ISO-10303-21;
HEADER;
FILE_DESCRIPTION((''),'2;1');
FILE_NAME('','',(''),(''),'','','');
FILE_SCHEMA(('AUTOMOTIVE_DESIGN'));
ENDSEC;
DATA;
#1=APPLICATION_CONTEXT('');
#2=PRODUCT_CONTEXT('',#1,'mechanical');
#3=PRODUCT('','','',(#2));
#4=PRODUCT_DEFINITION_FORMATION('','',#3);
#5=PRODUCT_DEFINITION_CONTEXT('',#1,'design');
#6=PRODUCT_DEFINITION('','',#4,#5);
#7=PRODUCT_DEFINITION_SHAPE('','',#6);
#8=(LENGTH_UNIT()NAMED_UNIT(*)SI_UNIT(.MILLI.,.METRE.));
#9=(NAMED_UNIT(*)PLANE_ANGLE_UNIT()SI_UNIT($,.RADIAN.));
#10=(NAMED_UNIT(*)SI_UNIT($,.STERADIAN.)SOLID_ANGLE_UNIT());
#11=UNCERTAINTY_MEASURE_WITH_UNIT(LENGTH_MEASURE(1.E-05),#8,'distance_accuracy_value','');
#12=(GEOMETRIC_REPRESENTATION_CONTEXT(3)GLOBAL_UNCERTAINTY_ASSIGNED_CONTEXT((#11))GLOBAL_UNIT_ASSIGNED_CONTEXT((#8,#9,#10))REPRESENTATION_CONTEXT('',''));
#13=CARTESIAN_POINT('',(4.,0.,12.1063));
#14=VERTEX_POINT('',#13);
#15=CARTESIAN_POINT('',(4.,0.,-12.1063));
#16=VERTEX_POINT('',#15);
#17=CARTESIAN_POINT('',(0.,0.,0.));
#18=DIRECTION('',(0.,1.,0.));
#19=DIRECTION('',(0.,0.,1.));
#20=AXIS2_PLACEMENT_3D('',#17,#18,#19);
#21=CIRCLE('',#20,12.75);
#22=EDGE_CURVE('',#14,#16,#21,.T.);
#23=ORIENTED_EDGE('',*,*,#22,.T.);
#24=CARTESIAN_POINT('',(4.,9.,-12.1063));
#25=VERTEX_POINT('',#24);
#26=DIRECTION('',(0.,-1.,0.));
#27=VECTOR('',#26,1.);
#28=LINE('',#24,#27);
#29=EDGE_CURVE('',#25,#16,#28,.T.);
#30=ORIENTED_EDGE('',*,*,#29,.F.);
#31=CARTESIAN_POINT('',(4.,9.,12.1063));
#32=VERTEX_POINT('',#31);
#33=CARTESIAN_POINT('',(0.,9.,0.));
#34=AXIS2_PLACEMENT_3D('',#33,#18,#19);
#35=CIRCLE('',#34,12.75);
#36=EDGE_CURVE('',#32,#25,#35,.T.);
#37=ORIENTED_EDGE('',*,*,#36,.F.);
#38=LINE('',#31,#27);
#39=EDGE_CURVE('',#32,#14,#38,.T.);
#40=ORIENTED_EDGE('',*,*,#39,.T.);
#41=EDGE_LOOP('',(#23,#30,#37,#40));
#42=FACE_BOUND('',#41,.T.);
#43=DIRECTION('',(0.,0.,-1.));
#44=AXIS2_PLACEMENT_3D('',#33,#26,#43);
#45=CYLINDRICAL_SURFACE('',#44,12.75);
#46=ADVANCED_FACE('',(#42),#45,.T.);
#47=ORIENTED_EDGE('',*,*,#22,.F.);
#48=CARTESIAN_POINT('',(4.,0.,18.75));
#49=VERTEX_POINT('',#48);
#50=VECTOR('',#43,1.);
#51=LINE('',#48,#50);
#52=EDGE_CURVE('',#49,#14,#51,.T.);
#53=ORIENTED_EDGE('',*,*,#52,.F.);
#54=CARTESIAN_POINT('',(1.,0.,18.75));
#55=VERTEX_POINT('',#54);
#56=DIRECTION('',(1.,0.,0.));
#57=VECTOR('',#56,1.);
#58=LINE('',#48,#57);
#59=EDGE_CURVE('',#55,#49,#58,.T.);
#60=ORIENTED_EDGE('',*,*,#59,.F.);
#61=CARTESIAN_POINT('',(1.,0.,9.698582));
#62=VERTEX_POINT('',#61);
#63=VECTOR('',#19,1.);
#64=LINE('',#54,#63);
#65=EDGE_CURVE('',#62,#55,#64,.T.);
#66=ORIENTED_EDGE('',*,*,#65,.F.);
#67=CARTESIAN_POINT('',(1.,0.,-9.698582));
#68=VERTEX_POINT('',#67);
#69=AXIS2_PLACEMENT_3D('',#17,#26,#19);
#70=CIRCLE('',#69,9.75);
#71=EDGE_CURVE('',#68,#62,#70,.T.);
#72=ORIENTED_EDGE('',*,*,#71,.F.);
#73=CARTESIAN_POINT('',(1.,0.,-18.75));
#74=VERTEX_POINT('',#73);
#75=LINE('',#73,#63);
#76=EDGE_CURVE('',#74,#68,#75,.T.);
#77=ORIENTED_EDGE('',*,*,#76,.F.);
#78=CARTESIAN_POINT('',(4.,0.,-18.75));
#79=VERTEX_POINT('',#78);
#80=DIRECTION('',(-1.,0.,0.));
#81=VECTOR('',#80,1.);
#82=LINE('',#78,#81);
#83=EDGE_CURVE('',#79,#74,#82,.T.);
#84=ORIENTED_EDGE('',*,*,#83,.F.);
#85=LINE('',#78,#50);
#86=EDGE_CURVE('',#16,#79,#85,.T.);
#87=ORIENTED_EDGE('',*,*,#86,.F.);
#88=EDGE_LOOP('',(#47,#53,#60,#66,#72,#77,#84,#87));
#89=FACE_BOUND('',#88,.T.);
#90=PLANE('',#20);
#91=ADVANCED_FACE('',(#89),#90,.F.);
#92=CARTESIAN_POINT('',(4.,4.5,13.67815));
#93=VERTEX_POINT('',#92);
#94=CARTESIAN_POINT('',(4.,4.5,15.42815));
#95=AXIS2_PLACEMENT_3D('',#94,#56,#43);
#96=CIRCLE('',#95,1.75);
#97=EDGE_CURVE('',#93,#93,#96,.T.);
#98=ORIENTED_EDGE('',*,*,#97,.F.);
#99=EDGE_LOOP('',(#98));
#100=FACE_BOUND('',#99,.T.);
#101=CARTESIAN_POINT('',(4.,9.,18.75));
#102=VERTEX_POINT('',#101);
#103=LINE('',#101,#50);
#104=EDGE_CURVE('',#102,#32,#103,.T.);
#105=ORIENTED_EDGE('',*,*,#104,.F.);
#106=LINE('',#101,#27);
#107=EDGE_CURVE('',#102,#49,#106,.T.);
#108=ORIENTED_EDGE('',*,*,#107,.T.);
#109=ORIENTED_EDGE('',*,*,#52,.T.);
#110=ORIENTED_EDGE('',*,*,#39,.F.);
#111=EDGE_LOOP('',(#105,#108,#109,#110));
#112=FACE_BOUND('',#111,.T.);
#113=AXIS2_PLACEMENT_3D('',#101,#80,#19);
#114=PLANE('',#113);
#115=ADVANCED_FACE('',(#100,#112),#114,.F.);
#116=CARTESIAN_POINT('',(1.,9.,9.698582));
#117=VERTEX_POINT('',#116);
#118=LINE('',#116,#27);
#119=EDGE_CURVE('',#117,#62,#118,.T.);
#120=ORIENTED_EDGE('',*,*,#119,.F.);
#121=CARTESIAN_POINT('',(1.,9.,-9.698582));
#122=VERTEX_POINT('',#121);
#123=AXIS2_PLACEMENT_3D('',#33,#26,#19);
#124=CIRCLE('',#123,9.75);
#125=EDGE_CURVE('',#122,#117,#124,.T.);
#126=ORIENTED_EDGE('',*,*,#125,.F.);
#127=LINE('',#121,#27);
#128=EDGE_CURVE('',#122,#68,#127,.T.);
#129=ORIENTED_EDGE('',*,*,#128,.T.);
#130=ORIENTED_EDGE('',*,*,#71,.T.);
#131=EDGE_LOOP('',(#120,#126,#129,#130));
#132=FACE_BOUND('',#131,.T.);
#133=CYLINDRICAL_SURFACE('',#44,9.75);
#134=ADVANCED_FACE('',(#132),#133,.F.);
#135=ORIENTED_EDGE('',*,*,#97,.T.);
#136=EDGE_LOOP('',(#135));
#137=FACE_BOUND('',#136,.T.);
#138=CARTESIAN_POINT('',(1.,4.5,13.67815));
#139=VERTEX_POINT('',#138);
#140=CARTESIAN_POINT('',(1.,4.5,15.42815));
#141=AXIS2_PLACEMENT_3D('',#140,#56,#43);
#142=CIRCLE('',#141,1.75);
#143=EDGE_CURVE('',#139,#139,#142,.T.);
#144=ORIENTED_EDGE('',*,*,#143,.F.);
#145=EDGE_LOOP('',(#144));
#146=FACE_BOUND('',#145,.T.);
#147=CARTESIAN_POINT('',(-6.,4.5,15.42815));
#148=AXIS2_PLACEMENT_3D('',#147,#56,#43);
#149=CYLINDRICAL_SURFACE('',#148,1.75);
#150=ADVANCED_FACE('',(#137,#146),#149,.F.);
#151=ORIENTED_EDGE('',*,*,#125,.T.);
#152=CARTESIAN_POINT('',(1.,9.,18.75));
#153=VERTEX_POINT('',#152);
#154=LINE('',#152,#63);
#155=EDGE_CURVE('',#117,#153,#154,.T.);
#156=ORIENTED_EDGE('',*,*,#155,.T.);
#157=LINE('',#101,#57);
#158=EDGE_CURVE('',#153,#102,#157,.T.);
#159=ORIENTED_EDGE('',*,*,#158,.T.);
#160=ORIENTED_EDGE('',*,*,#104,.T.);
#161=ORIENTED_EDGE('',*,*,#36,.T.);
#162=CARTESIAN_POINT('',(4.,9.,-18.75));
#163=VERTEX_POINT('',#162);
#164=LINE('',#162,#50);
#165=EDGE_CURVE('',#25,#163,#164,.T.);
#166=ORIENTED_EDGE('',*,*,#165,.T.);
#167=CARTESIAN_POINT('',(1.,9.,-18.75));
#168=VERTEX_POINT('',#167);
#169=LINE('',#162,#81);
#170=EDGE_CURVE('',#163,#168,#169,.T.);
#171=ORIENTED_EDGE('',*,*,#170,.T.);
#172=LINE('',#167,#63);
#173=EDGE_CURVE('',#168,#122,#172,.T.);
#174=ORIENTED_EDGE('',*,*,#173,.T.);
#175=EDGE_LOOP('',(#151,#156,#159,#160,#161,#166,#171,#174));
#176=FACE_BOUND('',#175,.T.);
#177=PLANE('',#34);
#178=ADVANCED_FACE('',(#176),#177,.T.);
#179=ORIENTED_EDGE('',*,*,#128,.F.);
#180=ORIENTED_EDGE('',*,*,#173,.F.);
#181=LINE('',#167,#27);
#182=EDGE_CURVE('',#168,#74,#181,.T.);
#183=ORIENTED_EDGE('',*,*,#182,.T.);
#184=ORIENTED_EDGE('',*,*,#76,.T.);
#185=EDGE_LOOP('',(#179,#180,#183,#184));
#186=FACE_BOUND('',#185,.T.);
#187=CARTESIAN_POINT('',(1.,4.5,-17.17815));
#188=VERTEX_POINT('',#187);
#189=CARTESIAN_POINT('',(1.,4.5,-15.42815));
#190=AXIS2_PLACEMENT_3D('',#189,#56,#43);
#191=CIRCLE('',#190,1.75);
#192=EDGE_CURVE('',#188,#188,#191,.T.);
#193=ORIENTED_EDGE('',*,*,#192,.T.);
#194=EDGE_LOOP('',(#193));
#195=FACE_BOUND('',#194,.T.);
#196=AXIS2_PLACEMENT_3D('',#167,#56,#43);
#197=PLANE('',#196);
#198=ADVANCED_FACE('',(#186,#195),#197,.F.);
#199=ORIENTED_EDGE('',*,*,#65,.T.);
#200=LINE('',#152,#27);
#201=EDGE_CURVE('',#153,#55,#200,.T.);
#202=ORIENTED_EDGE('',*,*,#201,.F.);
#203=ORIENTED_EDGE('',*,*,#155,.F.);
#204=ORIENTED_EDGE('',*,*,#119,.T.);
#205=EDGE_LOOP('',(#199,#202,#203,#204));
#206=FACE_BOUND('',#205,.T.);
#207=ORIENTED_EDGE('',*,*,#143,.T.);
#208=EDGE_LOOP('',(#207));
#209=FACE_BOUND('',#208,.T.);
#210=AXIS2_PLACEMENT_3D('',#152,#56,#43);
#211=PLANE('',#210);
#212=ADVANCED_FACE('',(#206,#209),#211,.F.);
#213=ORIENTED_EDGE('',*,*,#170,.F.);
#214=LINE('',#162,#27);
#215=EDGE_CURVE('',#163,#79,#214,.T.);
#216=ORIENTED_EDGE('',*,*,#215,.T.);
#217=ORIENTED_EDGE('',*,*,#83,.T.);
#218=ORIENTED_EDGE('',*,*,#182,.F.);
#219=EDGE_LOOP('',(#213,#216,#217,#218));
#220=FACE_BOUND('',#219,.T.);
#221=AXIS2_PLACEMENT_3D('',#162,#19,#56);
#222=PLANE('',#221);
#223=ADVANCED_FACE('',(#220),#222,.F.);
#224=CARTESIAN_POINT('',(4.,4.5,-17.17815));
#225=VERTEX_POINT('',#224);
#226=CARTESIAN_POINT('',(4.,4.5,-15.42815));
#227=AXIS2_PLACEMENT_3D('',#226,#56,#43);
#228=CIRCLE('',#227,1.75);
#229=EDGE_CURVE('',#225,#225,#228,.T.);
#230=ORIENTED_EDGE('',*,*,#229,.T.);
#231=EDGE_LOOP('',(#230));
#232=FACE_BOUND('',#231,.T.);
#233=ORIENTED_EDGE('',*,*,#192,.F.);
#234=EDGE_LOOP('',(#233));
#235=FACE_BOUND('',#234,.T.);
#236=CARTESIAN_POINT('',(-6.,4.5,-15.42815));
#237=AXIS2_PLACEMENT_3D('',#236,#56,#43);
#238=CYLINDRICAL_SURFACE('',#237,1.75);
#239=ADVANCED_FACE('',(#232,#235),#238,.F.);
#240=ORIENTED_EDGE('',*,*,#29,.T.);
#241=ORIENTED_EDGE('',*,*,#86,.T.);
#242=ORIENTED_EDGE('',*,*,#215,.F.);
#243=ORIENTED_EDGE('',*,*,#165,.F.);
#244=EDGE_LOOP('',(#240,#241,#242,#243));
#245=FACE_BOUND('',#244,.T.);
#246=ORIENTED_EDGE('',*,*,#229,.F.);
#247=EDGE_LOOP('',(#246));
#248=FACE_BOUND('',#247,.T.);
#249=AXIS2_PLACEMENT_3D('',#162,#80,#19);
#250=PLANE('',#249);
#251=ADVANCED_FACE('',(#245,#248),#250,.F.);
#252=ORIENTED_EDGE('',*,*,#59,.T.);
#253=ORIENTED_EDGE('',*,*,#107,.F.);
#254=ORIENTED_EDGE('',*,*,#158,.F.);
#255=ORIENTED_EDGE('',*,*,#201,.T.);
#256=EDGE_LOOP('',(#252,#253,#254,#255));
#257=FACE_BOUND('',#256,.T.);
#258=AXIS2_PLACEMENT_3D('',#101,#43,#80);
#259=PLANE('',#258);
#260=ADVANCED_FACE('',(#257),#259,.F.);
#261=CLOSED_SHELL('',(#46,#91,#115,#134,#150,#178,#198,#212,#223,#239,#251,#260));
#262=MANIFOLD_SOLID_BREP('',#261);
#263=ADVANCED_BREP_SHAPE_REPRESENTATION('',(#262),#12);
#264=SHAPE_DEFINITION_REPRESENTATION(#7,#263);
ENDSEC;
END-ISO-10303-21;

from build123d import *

# Parameters (mm, degrees)
BOSS_EXTRUDE1_DEPTH = 9
SKETCH7_R           = 1.75
CUT_EXTRUDE1_DEPTH  = 10


with BuildPart() as part:
    # Sketch1 → Boss-Extrude1 (new body)
    with BuildSketch(Plane(origin=(0, 0, 0), x_dir=(1, 0, 0), z_dir=(0, 1, 0))):
        with BuildLine():
            Line((4, -18.75), (4, -12.106300013))
            ThreePointArc((4, -12.106300013), (12.75, 0), (4, 12.106300013))
            Line((4, 12.106300013), (4, 18.75))
            Line((4, 18.75), (1, 18.75))
            Line((1, 18.75), (1, 9.698582371))
            ThreePointArc((1, 9.698582371), (9.75, 0), (1, -9.698582371))
            Line((1, -9.698582371), (1, -18.75))
            Line((1, -18.75), (4, -18.75))
        make_face()
    extrude(amount=BOSS_EXTRUDE1_DEPTH)

    # Sketch7 → Cut-Extrude1 (cut)
    with BuildSketch(Plane(origin=(4, 0, 0), x_dir=(0, 0, -1), z_dir=(1, 0, 0))):
        with Locations((-15.428150006, 4.5)):
            Circle(SKETCH7_R)
        with Locations((15.428150006, 4.5)):
            Circle(SKETCH7_R)
    extrude(amount=-CUT_EXTRUDE1_DEPTH, mode=Mode.SUBTRACT)


solid = part.part
